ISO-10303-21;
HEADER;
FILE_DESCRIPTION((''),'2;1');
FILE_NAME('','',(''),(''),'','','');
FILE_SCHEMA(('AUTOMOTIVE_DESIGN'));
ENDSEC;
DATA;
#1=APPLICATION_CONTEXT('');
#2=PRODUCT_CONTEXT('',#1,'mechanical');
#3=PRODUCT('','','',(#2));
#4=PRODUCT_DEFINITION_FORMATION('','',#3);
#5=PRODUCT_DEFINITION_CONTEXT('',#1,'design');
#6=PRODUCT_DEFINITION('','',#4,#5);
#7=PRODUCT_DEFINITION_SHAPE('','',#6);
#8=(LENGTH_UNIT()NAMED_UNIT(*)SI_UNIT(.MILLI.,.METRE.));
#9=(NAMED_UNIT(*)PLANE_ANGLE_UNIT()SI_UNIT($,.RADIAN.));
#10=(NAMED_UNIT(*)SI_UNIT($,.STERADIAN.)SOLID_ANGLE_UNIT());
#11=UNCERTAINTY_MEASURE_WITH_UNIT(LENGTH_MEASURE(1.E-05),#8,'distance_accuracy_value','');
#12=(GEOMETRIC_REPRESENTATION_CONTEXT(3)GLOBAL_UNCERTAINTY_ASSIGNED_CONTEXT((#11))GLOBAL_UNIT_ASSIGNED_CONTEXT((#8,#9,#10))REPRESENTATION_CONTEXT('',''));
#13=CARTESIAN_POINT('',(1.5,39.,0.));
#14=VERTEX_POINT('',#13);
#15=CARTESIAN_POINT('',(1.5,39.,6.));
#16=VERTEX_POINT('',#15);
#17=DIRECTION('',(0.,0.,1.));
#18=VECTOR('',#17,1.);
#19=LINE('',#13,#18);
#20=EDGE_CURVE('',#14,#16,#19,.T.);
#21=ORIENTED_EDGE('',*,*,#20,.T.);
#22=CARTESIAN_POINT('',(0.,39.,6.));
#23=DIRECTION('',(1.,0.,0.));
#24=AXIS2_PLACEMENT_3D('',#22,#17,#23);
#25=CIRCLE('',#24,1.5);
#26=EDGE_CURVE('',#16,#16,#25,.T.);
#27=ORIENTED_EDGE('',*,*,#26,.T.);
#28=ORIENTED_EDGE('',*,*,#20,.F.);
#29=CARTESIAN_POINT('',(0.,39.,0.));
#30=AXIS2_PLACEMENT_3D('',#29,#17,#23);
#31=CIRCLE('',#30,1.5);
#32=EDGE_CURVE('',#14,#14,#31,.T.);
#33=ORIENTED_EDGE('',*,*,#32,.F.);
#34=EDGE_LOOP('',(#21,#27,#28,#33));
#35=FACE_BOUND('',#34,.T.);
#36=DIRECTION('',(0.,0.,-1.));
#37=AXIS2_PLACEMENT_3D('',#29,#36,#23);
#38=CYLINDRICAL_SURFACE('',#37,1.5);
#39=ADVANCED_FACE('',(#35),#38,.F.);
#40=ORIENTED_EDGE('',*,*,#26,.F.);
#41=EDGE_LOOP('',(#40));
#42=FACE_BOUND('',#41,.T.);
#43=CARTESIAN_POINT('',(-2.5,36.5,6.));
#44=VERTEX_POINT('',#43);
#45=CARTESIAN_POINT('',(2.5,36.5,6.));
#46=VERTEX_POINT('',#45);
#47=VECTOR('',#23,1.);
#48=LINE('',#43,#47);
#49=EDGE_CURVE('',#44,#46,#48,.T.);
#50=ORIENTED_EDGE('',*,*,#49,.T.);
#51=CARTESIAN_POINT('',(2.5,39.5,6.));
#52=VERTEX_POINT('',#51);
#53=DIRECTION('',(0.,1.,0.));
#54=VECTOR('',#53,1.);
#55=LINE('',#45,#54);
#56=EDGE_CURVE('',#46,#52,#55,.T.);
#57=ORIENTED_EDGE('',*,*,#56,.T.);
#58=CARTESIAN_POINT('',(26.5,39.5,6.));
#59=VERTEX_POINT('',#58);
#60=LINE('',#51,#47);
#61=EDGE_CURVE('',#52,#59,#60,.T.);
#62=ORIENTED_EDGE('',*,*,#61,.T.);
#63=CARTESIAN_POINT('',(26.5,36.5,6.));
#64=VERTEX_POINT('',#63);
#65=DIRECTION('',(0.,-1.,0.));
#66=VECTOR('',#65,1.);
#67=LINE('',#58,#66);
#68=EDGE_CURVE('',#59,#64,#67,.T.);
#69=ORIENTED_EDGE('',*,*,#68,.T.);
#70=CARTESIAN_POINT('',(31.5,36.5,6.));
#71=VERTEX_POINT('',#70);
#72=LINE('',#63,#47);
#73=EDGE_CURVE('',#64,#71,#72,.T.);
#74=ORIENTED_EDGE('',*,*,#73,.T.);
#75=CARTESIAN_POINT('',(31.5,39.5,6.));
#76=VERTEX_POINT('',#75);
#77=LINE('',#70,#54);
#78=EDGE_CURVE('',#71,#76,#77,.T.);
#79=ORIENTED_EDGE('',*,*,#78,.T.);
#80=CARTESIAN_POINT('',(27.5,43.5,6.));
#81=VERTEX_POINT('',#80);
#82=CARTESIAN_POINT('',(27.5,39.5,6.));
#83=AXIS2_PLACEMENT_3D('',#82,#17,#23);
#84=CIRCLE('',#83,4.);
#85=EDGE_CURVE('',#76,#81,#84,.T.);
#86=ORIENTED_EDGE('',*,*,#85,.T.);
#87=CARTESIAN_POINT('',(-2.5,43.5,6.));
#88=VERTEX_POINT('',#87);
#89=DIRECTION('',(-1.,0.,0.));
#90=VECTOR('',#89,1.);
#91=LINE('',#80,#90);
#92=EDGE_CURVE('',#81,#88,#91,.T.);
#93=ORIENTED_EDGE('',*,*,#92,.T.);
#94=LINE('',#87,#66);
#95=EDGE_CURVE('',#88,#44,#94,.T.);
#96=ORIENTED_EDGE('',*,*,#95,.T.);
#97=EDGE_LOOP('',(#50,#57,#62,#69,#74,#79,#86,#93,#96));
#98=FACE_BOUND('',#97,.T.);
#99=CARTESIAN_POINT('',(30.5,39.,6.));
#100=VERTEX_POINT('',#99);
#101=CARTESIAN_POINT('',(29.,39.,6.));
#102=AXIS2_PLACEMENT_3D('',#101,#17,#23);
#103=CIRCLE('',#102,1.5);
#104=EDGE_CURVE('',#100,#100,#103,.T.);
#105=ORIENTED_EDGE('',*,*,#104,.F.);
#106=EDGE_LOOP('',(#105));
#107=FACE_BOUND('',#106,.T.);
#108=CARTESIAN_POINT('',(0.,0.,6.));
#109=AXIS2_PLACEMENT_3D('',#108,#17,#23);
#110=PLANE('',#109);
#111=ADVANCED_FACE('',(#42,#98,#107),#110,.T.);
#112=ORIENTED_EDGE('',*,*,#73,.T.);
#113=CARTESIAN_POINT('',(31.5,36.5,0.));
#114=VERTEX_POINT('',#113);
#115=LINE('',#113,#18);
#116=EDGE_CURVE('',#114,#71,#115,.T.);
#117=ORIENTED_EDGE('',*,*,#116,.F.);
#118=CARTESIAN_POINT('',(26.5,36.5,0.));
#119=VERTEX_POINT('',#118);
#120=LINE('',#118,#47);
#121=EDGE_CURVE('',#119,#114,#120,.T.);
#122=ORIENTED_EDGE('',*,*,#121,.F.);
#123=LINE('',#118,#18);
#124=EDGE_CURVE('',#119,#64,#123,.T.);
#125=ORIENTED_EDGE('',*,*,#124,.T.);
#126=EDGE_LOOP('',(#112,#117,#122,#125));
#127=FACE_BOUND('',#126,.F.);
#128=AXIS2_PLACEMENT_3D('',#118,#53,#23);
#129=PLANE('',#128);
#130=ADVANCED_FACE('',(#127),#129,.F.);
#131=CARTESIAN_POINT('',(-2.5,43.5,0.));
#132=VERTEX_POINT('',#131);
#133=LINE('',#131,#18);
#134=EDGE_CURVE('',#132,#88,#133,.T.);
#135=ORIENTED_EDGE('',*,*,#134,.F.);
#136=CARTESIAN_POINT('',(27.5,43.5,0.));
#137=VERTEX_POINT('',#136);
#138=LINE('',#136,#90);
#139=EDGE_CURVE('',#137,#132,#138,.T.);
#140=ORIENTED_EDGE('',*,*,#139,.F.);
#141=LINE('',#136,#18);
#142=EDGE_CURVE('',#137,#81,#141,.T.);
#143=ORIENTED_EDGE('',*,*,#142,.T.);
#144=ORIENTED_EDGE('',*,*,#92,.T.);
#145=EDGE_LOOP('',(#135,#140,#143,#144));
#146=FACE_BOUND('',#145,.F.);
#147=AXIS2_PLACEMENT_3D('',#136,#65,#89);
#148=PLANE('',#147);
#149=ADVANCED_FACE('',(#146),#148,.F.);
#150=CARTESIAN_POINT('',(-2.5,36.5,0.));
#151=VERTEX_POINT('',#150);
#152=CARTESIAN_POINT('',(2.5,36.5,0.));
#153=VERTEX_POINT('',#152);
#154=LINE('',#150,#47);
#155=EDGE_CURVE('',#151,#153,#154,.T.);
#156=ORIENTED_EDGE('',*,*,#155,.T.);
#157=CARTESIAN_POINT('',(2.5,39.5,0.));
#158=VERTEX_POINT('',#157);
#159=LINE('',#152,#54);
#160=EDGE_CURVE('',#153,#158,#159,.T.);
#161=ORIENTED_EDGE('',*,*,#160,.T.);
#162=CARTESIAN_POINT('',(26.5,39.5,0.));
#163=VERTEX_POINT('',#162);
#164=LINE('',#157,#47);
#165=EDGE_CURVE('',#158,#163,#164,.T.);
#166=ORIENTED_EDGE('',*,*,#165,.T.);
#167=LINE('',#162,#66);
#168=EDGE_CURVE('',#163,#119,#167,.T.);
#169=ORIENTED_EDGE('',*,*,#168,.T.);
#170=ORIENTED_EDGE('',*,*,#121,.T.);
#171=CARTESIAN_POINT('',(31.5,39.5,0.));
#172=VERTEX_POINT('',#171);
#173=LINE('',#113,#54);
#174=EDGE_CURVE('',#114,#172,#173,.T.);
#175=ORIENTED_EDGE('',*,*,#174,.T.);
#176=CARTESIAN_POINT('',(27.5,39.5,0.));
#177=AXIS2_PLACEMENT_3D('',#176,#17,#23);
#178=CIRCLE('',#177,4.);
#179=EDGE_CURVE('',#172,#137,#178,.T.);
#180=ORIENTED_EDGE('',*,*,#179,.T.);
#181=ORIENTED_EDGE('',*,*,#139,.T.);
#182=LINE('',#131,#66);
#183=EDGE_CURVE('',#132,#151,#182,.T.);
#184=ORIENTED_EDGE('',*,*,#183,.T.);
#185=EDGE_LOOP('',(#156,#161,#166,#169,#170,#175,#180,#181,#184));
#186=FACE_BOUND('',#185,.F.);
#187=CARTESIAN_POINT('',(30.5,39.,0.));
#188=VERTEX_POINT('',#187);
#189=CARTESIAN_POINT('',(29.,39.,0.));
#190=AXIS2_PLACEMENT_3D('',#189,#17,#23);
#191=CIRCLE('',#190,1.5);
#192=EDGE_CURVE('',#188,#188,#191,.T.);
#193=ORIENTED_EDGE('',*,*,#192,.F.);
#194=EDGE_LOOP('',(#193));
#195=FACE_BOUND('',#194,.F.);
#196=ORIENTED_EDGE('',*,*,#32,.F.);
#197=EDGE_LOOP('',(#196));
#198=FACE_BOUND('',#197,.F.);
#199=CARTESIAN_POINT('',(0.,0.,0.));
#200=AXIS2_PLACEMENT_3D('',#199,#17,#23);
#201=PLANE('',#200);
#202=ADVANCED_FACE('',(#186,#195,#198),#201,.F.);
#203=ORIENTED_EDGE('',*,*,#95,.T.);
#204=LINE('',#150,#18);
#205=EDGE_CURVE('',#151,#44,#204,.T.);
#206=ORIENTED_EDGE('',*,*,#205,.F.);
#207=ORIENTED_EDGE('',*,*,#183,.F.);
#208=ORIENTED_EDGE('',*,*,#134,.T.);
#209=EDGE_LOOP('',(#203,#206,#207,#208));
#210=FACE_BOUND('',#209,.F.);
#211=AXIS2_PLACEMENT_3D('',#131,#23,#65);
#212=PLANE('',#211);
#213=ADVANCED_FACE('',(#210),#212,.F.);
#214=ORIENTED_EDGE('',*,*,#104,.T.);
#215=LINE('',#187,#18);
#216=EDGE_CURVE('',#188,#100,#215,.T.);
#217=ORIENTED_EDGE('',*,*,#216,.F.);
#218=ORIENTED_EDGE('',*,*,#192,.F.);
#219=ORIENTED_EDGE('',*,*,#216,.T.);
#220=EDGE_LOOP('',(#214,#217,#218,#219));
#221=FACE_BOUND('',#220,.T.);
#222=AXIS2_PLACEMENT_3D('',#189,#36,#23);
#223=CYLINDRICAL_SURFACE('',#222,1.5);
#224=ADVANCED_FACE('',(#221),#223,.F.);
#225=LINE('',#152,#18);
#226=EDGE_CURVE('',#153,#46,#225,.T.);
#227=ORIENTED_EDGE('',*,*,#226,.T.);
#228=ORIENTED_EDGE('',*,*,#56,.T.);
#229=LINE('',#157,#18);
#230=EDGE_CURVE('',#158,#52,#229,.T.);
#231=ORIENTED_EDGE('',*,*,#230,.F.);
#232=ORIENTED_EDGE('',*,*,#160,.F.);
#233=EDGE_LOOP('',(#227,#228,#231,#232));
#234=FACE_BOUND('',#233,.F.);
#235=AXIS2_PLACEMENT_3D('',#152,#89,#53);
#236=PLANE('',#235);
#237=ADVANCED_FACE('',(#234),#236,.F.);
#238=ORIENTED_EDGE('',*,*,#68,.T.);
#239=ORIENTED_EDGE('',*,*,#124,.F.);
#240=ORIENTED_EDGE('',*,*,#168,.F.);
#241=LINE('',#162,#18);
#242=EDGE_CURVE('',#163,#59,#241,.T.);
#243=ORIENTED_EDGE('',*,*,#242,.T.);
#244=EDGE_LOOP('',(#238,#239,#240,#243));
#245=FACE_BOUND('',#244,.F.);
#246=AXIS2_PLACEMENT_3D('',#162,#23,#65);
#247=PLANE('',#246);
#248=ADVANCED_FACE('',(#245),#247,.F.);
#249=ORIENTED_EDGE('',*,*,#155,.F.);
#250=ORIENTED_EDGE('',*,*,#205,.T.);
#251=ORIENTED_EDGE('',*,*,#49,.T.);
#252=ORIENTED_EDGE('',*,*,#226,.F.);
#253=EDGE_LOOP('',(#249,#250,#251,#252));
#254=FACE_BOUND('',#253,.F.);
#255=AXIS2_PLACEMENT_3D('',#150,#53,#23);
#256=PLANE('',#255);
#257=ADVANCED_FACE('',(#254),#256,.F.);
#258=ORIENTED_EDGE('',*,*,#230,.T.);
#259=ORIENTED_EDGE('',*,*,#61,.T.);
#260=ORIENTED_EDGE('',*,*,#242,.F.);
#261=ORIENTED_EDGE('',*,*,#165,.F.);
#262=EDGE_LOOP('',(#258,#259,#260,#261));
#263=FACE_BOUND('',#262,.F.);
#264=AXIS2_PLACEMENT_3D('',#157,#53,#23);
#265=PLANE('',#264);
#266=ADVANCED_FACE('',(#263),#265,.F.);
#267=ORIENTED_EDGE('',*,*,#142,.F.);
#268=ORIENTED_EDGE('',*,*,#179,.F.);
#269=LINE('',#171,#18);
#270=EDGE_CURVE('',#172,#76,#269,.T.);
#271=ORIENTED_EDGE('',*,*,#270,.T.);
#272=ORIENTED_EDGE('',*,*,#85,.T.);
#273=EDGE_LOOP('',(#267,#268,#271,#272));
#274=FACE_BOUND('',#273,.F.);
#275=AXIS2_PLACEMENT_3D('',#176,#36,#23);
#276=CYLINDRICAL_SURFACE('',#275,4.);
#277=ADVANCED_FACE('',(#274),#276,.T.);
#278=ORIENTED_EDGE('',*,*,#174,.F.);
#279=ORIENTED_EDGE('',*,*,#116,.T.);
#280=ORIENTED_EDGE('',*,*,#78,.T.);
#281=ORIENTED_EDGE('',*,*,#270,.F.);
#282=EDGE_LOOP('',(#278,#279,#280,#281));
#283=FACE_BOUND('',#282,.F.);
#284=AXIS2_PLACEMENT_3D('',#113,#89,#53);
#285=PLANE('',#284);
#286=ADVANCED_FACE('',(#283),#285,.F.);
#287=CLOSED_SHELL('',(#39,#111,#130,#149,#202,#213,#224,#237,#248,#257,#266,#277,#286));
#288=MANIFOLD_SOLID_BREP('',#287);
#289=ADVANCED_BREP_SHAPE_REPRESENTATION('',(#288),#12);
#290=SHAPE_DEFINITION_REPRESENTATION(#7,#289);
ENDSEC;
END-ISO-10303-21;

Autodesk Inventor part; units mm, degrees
ref_plane "YZ Plane" through (0, 0, 0) normal (1, 0, 0) x (0, 1, 0)
ref_plane "XZ Plane" through (0, 0, 0) normal (0, 1, 0) x (-1, 0, 0)
ref_plane "XY Plane" through (0, 0, 0) normal (0, 0, 1) x (1, 0, 0)
sketch "Sketch1" plane through (0, 0, 0) normal (0, 0, 1) x (1, 0, 0)
  circle A0 centre (0, 39) radius 1.5
  circle A1 centre (29, 39) radius 1.5
  line L0 (-2.5, 36.5) -> (2.5, 36.5)
  line L1 (2.5, 36.5) -> (2.5, 39.5)
  line L2 (2.5, 39.5) -> (26.5, 39.5)
  line L3 (26.5, 39.5) -> (26.5, 36.5)
  line L4 (26.5, 36.5) -> (31.5, 36.5)
  line L5 (31.5, 36.5) -> (31.5, 39.5)
  arc A2 (31.5, 39.5) -> (27.5, 43.5) centre (27.5, 39.5) ccw
  line L6 (27.5, 43.5) -> (-2.5, 43.5)
  line L7 (-2.5, 43.5) -> (-2.5, 36.5)
  point P0 (0, 0)
extrude "Extrusion1" add sketch "Sketch1" along normal blind 6
properties part number "yCarMid_b"
